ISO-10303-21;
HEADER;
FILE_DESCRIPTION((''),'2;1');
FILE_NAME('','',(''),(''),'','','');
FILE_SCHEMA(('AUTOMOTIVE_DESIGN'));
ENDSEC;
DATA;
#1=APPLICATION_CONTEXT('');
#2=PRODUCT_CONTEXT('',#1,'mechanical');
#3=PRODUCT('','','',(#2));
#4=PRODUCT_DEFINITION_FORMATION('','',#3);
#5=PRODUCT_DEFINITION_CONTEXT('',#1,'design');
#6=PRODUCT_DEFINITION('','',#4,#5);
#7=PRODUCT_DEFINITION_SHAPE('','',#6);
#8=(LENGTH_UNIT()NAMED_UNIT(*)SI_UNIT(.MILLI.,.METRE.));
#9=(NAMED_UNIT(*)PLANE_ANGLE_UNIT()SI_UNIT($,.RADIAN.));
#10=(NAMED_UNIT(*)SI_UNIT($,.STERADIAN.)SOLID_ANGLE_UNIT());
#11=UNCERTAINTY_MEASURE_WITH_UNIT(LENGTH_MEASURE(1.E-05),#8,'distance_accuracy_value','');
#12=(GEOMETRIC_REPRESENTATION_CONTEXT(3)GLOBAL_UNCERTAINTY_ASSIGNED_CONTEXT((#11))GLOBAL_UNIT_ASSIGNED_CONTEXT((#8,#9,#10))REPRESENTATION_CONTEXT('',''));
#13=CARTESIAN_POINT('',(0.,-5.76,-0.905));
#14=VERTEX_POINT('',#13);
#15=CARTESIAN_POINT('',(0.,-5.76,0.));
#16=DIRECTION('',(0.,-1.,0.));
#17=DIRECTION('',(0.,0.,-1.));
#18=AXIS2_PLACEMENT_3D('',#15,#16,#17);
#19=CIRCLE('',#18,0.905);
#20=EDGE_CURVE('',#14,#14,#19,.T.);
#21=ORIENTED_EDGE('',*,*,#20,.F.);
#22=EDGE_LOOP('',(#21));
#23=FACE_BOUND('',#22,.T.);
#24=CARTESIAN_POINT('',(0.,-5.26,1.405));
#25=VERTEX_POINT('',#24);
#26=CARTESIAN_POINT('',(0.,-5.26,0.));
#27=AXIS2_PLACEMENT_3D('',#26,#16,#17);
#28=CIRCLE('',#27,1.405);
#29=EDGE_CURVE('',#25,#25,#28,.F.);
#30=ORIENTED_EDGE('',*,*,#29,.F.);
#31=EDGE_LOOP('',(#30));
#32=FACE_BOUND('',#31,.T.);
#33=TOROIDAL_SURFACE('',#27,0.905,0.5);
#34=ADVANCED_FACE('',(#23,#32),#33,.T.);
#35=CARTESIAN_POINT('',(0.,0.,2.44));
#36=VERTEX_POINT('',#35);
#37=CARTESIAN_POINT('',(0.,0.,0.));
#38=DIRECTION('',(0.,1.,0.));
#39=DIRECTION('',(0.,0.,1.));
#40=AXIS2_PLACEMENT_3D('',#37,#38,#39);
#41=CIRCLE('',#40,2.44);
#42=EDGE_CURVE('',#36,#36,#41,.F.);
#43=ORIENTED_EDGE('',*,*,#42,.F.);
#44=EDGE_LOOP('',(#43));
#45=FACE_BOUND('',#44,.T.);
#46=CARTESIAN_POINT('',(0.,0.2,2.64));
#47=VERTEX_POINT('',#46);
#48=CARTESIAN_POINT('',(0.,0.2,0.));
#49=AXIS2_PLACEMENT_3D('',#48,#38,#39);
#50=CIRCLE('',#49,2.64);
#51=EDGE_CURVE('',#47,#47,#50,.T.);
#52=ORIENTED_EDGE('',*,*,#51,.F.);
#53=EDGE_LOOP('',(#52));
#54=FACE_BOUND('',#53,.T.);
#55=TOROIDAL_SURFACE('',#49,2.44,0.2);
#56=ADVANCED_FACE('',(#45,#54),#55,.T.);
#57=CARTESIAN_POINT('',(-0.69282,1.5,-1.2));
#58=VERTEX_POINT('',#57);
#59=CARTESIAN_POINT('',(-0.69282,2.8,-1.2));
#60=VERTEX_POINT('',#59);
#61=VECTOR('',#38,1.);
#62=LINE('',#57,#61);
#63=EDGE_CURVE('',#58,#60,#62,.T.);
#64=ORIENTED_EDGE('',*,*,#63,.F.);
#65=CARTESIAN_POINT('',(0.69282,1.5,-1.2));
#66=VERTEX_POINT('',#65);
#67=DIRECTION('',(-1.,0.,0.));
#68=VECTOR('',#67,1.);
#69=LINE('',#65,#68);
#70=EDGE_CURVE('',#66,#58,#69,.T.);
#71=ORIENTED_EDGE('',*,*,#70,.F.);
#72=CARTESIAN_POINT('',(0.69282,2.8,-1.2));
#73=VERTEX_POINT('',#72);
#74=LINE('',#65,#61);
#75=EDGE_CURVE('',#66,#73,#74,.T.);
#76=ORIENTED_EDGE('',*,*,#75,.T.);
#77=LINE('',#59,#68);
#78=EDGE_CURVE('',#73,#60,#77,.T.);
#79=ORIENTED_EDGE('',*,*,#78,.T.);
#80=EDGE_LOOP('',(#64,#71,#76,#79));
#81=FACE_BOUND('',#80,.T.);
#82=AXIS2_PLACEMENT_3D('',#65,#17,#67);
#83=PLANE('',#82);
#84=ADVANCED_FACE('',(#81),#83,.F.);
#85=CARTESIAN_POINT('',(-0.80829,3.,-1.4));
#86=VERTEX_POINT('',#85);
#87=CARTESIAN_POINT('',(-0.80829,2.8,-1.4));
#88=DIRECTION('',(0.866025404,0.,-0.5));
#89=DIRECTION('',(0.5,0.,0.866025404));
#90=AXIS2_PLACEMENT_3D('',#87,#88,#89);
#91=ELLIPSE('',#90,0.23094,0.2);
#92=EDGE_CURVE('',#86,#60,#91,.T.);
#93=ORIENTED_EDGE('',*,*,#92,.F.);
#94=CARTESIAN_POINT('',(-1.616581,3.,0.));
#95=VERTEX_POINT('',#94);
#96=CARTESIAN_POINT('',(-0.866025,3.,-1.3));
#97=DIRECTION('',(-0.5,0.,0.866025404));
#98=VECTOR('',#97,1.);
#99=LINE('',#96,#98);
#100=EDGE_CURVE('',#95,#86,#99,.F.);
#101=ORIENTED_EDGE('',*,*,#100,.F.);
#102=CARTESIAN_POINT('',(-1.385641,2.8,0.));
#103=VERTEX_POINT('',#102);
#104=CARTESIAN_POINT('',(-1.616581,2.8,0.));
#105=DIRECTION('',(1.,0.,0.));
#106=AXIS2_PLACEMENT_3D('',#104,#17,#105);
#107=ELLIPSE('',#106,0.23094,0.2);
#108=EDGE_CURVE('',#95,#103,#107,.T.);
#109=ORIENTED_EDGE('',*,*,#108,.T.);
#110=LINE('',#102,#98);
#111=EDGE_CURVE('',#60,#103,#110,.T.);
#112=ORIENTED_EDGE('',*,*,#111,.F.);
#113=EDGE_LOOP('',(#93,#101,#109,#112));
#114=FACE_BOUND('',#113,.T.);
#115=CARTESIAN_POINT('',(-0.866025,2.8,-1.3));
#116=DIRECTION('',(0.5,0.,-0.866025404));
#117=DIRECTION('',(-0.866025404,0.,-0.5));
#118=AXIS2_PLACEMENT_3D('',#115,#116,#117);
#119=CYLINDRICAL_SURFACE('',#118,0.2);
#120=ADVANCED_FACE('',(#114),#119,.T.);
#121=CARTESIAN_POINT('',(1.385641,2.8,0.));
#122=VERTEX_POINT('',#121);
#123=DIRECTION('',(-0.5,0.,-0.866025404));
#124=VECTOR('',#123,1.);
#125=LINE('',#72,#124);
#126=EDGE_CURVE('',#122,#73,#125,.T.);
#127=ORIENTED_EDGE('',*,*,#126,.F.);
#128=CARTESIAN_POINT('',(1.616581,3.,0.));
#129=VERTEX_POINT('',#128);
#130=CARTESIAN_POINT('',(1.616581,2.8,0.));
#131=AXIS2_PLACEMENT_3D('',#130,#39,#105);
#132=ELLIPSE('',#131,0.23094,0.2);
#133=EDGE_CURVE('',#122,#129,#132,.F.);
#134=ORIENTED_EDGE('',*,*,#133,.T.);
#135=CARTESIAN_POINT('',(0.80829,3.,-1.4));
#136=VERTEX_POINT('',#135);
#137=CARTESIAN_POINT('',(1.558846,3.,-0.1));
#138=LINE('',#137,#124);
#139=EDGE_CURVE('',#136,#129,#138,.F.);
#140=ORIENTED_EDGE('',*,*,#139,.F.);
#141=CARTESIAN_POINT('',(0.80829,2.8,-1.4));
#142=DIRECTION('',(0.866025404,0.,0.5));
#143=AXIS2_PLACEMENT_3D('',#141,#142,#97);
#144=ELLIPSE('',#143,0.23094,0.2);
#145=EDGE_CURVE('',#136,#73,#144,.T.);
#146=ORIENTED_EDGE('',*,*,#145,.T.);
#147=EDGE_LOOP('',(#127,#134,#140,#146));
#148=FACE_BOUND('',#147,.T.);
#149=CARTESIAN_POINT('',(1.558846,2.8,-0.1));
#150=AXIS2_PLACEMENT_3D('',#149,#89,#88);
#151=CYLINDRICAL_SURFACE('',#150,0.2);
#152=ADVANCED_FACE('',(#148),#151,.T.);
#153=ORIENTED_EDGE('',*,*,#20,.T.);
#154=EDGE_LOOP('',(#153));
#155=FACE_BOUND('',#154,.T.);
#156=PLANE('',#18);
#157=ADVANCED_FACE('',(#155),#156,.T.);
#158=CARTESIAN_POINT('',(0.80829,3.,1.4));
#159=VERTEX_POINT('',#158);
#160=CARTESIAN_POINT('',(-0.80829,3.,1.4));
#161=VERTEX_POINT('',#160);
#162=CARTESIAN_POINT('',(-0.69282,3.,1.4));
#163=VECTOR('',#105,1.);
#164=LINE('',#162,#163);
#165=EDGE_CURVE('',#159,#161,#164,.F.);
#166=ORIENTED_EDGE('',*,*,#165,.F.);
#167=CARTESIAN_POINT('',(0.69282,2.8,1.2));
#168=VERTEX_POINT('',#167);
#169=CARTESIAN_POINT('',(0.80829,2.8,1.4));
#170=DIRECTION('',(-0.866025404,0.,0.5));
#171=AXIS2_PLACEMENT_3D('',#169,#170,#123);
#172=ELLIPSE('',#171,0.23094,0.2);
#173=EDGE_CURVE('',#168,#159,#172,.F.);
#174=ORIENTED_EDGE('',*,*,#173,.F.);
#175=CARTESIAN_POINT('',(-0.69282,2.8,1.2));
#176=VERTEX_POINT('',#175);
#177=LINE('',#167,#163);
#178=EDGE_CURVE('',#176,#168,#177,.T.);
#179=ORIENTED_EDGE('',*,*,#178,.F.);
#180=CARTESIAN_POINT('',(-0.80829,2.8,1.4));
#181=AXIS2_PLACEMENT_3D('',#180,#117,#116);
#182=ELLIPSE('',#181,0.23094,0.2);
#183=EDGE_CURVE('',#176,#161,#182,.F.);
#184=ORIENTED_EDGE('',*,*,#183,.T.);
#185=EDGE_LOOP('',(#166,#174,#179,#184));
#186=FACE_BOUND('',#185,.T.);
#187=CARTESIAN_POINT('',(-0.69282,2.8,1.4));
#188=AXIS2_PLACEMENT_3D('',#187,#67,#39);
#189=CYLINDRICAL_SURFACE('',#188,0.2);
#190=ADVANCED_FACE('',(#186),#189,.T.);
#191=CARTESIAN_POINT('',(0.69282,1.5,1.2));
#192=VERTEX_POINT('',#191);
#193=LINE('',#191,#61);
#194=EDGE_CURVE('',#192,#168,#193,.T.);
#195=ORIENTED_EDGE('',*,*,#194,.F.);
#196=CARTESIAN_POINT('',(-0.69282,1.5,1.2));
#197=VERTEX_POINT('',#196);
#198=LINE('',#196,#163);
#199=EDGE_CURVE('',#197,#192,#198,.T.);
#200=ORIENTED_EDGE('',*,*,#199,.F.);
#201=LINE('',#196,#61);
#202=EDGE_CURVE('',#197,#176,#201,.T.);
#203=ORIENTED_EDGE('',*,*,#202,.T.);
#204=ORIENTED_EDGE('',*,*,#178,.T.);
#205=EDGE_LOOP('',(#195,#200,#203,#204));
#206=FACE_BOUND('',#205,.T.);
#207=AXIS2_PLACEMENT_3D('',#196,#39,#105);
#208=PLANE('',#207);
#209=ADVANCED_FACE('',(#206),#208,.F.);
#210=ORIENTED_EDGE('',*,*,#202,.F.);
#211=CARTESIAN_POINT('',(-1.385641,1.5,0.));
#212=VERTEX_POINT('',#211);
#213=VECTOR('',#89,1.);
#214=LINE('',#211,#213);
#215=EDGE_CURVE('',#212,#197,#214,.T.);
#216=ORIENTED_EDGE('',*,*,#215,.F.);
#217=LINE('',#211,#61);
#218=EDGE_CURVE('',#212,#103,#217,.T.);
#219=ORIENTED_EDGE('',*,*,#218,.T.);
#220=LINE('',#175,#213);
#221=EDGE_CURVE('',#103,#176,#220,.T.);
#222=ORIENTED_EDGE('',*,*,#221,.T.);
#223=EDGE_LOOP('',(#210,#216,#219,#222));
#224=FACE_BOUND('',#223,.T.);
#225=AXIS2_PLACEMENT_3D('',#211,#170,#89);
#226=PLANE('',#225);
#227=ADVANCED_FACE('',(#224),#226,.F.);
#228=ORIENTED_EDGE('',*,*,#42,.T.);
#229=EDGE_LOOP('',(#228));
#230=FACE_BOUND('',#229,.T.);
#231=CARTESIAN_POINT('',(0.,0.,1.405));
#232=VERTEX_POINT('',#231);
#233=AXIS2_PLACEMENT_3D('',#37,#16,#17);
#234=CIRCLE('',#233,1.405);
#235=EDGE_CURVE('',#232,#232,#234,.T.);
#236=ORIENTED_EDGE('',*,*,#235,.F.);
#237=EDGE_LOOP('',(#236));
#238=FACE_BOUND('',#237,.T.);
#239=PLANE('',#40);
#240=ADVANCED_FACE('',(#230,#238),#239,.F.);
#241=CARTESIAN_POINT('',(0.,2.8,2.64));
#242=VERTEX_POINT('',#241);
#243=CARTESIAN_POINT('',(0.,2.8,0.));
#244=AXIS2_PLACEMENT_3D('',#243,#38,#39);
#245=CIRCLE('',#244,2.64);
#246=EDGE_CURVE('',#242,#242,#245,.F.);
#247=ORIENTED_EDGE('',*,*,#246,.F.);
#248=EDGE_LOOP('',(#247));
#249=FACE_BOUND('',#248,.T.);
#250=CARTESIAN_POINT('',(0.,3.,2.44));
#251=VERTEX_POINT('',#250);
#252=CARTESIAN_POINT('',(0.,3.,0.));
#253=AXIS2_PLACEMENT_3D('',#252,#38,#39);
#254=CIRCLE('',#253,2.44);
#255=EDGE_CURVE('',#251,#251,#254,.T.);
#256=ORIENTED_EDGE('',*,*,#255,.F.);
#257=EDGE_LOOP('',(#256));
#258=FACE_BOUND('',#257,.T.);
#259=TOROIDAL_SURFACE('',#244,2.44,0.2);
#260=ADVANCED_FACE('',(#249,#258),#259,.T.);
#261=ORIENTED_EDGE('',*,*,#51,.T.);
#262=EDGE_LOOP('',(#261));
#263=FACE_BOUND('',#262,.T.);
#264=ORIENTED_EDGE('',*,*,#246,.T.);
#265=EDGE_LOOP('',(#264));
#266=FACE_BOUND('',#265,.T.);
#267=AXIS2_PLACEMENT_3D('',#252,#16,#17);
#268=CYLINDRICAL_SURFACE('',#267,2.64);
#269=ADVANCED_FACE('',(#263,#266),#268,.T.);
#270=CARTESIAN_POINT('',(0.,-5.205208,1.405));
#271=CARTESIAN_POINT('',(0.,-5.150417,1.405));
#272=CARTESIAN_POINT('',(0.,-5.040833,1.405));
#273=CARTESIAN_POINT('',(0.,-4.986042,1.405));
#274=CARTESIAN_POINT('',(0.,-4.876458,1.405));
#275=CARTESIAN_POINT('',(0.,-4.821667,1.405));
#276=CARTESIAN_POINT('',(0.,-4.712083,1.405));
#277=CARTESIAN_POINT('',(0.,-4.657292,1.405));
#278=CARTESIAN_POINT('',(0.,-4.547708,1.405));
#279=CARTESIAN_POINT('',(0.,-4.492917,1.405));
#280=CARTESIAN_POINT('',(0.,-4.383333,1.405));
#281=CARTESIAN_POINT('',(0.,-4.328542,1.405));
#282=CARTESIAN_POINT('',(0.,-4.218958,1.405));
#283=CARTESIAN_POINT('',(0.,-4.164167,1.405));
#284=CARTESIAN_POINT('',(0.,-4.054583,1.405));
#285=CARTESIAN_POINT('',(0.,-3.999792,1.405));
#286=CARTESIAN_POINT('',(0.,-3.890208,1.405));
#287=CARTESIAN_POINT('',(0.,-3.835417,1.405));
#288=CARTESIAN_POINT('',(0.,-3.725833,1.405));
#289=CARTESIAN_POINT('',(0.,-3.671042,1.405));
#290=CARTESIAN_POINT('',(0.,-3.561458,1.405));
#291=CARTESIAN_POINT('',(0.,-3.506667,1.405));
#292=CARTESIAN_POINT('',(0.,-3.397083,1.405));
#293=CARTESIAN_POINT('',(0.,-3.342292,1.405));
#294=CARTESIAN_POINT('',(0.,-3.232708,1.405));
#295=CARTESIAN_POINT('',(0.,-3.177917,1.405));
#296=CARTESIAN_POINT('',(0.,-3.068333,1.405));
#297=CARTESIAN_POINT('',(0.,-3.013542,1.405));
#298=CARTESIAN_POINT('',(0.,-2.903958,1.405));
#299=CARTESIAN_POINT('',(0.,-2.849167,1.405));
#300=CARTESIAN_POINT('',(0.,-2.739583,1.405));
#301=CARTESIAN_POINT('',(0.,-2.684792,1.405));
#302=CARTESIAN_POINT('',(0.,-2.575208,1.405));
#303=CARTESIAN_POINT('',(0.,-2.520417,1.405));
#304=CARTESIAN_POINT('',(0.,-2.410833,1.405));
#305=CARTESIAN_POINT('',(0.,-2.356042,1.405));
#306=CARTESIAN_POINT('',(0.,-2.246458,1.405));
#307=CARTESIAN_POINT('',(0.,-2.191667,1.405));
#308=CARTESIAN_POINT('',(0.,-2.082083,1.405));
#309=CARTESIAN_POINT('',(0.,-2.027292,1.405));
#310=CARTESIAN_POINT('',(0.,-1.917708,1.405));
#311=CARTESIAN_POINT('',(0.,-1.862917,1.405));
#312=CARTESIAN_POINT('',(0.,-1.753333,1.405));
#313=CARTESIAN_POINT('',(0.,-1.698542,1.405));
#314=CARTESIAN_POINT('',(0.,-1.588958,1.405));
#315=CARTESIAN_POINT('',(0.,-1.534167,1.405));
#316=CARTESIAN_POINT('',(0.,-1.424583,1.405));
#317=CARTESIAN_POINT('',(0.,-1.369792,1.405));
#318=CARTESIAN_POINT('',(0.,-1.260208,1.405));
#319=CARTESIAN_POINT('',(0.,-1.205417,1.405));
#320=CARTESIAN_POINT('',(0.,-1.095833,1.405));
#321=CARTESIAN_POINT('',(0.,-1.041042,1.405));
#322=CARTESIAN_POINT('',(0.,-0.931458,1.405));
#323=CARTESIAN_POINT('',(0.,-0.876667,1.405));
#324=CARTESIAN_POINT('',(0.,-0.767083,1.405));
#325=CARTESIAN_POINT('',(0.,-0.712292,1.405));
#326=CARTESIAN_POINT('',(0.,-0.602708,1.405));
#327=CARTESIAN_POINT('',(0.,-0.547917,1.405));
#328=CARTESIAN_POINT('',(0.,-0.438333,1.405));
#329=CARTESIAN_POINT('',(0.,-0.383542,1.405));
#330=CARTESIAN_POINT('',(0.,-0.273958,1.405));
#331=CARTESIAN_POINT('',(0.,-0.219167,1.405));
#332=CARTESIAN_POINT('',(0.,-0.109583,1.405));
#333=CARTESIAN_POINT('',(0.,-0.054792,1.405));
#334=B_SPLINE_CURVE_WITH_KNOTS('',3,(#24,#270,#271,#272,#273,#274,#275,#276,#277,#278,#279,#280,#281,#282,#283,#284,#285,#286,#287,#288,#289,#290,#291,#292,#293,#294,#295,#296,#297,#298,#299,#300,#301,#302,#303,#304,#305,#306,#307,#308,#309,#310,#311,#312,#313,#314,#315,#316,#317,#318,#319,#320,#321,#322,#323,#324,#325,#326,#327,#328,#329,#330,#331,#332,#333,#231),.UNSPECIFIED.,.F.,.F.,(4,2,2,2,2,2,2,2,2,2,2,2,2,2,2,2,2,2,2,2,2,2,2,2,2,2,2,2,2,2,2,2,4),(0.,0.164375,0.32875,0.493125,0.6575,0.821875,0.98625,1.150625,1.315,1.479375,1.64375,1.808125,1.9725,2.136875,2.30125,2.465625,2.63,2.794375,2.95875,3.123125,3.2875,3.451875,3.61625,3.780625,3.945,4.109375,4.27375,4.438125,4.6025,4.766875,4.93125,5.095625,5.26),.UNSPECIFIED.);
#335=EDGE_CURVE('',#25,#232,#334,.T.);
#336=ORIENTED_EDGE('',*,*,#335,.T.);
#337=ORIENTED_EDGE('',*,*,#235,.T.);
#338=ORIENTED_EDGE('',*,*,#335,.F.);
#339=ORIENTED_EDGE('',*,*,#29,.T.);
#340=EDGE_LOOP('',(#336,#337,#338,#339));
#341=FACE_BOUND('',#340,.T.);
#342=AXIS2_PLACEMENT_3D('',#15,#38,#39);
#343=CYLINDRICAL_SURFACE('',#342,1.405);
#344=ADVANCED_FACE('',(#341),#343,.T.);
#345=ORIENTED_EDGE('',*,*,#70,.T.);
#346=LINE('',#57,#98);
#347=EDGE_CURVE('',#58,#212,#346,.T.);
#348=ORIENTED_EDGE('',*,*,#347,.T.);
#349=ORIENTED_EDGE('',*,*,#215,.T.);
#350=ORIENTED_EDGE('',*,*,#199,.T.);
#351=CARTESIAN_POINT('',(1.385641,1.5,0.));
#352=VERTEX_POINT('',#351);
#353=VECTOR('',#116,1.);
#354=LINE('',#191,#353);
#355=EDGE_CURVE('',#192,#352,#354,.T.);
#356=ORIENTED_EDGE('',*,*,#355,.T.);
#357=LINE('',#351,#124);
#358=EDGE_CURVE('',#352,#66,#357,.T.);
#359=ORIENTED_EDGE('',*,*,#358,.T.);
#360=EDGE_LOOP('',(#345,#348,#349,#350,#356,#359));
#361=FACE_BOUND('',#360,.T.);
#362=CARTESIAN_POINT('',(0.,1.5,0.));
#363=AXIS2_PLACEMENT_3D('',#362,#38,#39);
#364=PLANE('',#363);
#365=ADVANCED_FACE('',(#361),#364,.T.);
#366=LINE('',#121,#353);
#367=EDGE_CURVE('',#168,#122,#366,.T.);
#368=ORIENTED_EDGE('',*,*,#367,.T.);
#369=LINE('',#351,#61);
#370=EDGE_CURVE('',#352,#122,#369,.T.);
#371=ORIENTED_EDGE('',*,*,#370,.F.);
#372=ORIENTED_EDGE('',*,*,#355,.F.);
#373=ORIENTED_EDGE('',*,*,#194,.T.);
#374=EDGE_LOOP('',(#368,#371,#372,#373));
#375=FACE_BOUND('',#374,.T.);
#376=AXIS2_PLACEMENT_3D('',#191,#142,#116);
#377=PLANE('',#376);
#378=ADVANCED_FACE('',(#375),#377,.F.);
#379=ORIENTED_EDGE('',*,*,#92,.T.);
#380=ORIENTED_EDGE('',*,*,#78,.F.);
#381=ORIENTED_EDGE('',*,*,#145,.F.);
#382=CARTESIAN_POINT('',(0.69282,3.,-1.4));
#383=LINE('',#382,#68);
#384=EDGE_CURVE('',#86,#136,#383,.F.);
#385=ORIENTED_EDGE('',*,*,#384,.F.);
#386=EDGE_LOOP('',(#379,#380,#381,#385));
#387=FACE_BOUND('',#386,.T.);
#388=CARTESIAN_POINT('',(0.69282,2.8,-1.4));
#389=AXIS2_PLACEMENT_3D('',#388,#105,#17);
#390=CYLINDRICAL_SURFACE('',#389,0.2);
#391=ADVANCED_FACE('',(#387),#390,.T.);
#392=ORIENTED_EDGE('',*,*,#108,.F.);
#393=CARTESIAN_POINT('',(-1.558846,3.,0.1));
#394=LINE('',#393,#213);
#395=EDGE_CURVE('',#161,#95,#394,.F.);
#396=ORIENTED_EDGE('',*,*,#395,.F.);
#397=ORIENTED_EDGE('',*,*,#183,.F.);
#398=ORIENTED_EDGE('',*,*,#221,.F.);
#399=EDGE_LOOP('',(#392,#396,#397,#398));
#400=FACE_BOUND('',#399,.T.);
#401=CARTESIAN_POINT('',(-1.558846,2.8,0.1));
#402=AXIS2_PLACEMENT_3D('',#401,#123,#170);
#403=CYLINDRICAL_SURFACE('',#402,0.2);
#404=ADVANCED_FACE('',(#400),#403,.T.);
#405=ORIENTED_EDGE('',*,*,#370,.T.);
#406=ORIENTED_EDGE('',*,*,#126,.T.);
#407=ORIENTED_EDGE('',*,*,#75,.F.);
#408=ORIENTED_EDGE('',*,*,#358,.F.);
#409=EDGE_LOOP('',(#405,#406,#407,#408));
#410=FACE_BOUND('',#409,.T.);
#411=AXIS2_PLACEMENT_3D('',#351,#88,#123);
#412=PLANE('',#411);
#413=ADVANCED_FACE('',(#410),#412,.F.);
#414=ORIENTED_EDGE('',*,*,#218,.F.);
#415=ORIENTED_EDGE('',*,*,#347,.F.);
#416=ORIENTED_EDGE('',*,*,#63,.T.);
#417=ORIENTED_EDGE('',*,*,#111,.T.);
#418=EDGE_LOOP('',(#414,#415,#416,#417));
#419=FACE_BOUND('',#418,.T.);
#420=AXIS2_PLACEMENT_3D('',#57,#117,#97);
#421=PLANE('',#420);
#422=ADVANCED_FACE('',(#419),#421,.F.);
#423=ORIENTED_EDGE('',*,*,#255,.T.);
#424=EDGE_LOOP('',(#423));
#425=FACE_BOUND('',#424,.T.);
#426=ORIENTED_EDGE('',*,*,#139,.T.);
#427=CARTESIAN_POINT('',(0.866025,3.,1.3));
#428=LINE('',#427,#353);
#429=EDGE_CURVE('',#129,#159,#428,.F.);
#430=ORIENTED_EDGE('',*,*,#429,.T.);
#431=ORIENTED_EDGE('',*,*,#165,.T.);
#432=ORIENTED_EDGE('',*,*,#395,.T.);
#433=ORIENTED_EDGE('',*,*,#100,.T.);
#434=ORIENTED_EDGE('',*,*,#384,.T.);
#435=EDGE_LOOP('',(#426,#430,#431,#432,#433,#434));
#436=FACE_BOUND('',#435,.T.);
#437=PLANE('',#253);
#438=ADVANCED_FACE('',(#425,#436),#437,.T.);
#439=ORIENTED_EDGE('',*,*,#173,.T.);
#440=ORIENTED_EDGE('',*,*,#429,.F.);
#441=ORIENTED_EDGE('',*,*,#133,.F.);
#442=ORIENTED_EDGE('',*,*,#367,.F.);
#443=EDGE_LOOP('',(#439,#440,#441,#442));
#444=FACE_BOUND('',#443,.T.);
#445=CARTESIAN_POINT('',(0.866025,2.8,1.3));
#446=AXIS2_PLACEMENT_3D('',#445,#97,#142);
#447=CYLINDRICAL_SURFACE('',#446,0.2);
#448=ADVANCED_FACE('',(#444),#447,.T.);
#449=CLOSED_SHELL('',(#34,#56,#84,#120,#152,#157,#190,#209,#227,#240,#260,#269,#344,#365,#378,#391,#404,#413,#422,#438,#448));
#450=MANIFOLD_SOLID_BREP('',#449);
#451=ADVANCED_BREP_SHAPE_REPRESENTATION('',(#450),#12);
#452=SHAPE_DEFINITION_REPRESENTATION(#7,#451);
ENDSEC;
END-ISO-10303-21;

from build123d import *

# Parameters (mm, degrees)
SKETCH1_R           = 2.64
BOSS_EXTRUDE1_DEPTH = 3
SKETCH2_R           = 1.405
BOSS_EXTRUDE2_DEPTH = 5.76
FILLET1_R           = 0.2
CUT_EXTRUDE1_DEPTH  = 1.5
FILLET2_R           = 0.2
FILLET3_R           = 0.5


with BuildPart() as part:
    # Sketch1 → Boss-Extrude1 (new body)
    with BuildSketch(Plane(origin=(0, 0, 0), x_dir=(1, 0, 0), z_dir=(0, 1, 0))):
        with Locations(Location((0, 0, 0), (0, 0, 270))):
            Circle(SKETCH1_R)
    extrude(amount=BOSS_EXTRUDE1_DEPTH)

    # Sketch2 → Boss-Extrude2 (add)
    with BuildSketch(Plane.XZ):
        with Locations(Location((0, 0, 0), (0, 0, 90))):
            Circle(SKETCH2_R)
    extrude(amount=BOSS_EXTRUDE2_DEPTH)

    # Fillet1
    fillet1_edges = [part.edges().sort_by_distance(p)[0] for p in [
        (0, 0, -2.64),
        (0, 3, -2.64),
    ]]
    fillet(fillet1_edges, radius=FILLET1_R)

    # Sketch3 → Cut-Extrude1 (cut)
    with BuildSketch(Plane(origin=(0, 3, 0), x_dir=(1, 0, 0), z_dir=(0, 1, 0))):
        Polygon((1.385640646, 0), (0.692820323, 1.2), (-0.692820323, 1.2), (-1.385640646, 0), (-0.692820323, -1.2), (0.692820323, -1.2), align=None)
    extrude(amount=-CUT_EXTRUDE1_DEPTH, mode=Mode.SUBTRACT)

    # Fillet2
    fillet2_edges = [part.edges().sort_by_distance(p)[0] for p in [
        (1.039230485, 3, 0.6),
        (1.039230485, 3, -0.6),
        (0, 3, -1.2),
        (-1.039230485, 3, -0.6),
        (-1.039230485, 3, 0.6),
        (0, 3, 1.2),
    ]]
    fillet(fillet2_edges, radius=FILLET2_R)

    # Fillet3
    fillet3_edges = [part.edges().sort_by_distance(p)[0] for p in [
        (0, -5.76, -1.405),
    ]]
    fillet(fillet3_edges, radius=FILLET3_R)


solid = part.part
